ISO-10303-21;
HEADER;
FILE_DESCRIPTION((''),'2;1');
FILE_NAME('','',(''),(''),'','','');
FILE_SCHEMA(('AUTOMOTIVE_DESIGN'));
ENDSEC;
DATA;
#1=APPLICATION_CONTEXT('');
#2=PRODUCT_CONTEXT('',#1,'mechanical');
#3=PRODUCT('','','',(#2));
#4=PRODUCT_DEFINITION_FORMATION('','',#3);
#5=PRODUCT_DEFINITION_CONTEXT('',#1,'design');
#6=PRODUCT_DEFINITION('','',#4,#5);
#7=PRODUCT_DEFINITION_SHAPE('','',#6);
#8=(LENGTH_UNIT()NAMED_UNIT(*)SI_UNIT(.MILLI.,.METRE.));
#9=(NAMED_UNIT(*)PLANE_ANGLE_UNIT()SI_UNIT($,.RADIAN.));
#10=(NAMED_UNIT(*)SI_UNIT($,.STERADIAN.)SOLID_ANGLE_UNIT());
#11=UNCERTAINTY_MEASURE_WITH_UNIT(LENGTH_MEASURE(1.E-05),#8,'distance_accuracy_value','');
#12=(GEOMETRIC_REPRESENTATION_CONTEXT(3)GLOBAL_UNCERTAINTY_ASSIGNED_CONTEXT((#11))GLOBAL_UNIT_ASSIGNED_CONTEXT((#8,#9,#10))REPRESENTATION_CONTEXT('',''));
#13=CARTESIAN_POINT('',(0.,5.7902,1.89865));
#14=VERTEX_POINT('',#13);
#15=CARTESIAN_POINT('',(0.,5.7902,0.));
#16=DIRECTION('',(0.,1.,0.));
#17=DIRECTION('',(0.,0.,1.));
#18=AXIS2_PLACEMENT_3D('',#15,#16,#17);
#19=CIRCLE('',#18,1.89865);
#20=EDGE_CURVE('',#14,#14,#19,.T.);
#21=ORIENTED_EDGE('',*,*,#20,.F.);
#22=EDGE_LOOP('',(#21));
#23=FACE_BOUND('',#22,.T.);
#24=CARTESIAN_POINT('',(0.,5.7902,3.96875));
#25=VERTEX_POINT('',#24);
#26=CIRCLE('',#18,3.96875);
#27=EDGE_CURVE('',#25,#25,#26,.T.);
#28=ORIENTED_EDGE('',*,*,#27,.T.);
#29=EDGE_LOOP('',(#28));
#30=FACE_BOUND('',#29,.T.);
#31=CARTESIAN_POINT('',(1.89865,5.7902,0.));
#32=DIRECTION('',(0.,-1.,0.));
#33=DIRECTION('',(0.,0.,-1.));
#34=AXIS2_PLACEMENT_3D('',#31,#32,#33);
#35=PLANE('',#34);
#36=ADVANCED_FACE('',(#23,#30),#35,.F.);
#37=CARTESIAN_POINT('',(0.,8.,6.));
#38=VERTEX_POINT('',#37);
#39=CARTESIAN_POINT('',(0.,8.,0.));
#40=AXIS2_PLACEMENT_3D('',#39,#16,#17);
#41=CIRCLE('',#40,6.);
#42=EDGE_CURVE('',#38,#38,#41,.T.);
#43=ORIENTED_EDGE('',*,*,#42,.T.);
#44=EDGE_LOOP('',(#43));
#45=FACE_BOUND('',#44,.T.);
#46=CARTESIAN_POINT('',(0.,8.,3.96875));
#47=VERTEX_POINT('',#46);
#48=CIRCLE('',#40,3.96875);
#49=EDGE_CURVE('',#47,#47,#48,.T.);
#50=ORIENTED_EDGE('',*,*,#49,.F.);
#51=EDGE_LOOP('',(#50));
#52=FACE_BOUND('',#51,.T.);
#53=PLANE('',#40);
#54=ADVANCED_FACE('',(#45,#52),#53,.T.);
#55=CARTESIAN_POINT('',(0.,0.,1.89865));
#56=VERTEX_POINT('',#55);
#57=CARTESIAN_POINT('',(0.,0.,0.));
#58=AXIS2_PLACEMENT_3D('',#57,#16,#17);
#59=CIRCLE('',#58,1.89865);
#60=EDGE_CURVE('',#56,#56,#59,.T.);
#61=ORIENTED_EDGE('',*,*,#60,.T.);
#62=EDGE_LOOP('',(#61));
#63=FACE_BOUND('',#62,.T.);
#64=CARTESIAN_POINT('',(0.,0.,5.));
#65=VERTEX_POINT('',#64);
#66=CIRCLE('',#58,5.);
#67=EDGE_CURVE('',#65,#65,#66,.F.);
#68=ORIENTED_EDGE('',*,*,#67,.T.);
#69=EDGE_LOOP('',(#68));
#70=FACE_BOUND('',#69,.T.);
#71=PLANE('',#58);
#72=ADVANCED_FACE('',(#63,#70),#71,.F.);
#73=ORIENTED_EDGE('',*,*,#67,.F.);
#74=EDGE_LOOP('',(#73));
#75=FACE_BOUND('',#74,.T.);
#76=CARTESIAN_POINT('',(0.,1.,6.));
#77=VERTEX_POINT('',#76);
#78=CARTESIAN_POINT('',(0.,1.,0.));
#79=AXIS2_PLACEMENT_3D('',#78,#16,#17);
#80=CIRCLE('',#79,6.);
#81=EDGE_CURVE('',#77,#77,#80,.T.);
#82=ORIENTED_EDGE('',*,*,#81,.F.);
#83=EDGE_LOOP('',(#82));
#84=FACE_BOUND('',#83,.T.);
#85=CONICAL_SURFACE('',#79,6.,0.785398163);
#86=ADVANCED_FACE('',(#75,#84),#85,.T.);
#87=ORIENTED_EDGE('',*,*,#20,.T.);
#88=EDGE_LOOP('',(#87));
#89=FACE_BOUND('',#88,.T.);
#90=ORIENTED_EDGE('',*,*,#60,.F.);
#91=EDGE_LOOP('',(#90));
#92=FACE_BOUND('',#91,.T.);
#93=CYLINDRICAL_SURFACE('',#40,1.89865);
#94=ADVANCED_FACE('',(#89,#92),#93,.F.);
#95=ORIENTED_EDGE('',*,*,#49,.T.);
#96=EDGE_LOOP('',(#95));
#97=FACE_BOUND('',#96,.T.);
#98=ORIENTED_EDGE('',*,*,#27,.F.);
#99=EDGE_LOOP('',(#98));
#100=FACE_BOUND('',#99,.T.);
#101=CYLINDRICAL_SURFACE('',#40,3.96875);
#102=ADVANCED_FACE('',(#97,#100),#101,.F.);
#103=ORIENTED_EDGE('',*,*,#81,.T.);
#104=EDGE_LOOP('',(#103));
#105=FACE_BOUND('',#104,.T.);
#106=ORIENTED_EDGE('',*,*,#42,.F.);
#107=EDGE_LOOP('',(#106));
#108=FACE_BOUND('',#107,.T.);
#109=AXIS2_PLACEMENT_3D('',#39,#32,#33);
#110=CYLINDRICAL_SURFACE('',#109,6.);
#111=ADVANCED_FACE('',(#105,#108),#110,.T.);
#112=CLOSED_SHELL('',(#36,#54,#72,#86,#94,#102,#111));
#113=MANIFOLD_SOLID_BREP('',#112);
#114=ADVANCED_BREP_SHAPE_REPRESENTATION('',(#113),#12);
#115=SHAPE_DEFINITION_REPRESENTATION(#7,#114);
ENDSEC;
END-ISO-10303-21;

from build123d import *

# Parameters (mm, degrees)
SKETCH1_R                                           = 6
BOSS_EXTRUDE1_DEPTH                                 = 8
CBORE_FOR_6_BINDING_HEAD_MACHINE_SCREW2_D           = 3.7973
CBORE_FOR_6_BINDING_HEAD_MACHINE_SCREW2_CBORE_D     = 7.9375
CBORE_FOR_6_BINDING_HEAD_MACHINE_SCREW2_CBORE_DEPTH = 2.2098
CHAMFER1_SIZE                                       = 1


with BuildPart() as part:
    # Sketch1 → Boss-Extrude1 (new body)
    with BuildSketch(Plane(origin=(0, 0, 0), x_dir=(1, 0, 0), z_dir=(0, 1, 0))):
        Circle(SKETCH1_R)
    extrude(amount=BOSS_EXTRUDE1_DEPTH)

    # CBORE for #6 Binding Head Machine Screw2 (through all)
    with Locations(Plane(origin=(0, 8, 0), x_dir=(1, 0, 0), z_dir=(0, 1, 0))):
        with Locations((0, 0)):
            CounterBoreHole(CBORE_FOR_6_BINDING_HEAD_MACHINE_SCREW2_D / 2, CBORE_FOR_6_BINDING_HEAD_MACHINE_SCREW2_CBORE_D / 2, CBORE_FOR_6_BINDING_HEAD_MACHINE_SCREW2_CBORE_DEPTH)

    # Chamfer1
    chamfer1_edges = [part.edges().sort_by_distance(p)[0] for p in [
        (-6, 0, 0),
    ]]
    chamfer(chamfer1_edges, length=CHAMFER1_SIZE)


solid = part.part
